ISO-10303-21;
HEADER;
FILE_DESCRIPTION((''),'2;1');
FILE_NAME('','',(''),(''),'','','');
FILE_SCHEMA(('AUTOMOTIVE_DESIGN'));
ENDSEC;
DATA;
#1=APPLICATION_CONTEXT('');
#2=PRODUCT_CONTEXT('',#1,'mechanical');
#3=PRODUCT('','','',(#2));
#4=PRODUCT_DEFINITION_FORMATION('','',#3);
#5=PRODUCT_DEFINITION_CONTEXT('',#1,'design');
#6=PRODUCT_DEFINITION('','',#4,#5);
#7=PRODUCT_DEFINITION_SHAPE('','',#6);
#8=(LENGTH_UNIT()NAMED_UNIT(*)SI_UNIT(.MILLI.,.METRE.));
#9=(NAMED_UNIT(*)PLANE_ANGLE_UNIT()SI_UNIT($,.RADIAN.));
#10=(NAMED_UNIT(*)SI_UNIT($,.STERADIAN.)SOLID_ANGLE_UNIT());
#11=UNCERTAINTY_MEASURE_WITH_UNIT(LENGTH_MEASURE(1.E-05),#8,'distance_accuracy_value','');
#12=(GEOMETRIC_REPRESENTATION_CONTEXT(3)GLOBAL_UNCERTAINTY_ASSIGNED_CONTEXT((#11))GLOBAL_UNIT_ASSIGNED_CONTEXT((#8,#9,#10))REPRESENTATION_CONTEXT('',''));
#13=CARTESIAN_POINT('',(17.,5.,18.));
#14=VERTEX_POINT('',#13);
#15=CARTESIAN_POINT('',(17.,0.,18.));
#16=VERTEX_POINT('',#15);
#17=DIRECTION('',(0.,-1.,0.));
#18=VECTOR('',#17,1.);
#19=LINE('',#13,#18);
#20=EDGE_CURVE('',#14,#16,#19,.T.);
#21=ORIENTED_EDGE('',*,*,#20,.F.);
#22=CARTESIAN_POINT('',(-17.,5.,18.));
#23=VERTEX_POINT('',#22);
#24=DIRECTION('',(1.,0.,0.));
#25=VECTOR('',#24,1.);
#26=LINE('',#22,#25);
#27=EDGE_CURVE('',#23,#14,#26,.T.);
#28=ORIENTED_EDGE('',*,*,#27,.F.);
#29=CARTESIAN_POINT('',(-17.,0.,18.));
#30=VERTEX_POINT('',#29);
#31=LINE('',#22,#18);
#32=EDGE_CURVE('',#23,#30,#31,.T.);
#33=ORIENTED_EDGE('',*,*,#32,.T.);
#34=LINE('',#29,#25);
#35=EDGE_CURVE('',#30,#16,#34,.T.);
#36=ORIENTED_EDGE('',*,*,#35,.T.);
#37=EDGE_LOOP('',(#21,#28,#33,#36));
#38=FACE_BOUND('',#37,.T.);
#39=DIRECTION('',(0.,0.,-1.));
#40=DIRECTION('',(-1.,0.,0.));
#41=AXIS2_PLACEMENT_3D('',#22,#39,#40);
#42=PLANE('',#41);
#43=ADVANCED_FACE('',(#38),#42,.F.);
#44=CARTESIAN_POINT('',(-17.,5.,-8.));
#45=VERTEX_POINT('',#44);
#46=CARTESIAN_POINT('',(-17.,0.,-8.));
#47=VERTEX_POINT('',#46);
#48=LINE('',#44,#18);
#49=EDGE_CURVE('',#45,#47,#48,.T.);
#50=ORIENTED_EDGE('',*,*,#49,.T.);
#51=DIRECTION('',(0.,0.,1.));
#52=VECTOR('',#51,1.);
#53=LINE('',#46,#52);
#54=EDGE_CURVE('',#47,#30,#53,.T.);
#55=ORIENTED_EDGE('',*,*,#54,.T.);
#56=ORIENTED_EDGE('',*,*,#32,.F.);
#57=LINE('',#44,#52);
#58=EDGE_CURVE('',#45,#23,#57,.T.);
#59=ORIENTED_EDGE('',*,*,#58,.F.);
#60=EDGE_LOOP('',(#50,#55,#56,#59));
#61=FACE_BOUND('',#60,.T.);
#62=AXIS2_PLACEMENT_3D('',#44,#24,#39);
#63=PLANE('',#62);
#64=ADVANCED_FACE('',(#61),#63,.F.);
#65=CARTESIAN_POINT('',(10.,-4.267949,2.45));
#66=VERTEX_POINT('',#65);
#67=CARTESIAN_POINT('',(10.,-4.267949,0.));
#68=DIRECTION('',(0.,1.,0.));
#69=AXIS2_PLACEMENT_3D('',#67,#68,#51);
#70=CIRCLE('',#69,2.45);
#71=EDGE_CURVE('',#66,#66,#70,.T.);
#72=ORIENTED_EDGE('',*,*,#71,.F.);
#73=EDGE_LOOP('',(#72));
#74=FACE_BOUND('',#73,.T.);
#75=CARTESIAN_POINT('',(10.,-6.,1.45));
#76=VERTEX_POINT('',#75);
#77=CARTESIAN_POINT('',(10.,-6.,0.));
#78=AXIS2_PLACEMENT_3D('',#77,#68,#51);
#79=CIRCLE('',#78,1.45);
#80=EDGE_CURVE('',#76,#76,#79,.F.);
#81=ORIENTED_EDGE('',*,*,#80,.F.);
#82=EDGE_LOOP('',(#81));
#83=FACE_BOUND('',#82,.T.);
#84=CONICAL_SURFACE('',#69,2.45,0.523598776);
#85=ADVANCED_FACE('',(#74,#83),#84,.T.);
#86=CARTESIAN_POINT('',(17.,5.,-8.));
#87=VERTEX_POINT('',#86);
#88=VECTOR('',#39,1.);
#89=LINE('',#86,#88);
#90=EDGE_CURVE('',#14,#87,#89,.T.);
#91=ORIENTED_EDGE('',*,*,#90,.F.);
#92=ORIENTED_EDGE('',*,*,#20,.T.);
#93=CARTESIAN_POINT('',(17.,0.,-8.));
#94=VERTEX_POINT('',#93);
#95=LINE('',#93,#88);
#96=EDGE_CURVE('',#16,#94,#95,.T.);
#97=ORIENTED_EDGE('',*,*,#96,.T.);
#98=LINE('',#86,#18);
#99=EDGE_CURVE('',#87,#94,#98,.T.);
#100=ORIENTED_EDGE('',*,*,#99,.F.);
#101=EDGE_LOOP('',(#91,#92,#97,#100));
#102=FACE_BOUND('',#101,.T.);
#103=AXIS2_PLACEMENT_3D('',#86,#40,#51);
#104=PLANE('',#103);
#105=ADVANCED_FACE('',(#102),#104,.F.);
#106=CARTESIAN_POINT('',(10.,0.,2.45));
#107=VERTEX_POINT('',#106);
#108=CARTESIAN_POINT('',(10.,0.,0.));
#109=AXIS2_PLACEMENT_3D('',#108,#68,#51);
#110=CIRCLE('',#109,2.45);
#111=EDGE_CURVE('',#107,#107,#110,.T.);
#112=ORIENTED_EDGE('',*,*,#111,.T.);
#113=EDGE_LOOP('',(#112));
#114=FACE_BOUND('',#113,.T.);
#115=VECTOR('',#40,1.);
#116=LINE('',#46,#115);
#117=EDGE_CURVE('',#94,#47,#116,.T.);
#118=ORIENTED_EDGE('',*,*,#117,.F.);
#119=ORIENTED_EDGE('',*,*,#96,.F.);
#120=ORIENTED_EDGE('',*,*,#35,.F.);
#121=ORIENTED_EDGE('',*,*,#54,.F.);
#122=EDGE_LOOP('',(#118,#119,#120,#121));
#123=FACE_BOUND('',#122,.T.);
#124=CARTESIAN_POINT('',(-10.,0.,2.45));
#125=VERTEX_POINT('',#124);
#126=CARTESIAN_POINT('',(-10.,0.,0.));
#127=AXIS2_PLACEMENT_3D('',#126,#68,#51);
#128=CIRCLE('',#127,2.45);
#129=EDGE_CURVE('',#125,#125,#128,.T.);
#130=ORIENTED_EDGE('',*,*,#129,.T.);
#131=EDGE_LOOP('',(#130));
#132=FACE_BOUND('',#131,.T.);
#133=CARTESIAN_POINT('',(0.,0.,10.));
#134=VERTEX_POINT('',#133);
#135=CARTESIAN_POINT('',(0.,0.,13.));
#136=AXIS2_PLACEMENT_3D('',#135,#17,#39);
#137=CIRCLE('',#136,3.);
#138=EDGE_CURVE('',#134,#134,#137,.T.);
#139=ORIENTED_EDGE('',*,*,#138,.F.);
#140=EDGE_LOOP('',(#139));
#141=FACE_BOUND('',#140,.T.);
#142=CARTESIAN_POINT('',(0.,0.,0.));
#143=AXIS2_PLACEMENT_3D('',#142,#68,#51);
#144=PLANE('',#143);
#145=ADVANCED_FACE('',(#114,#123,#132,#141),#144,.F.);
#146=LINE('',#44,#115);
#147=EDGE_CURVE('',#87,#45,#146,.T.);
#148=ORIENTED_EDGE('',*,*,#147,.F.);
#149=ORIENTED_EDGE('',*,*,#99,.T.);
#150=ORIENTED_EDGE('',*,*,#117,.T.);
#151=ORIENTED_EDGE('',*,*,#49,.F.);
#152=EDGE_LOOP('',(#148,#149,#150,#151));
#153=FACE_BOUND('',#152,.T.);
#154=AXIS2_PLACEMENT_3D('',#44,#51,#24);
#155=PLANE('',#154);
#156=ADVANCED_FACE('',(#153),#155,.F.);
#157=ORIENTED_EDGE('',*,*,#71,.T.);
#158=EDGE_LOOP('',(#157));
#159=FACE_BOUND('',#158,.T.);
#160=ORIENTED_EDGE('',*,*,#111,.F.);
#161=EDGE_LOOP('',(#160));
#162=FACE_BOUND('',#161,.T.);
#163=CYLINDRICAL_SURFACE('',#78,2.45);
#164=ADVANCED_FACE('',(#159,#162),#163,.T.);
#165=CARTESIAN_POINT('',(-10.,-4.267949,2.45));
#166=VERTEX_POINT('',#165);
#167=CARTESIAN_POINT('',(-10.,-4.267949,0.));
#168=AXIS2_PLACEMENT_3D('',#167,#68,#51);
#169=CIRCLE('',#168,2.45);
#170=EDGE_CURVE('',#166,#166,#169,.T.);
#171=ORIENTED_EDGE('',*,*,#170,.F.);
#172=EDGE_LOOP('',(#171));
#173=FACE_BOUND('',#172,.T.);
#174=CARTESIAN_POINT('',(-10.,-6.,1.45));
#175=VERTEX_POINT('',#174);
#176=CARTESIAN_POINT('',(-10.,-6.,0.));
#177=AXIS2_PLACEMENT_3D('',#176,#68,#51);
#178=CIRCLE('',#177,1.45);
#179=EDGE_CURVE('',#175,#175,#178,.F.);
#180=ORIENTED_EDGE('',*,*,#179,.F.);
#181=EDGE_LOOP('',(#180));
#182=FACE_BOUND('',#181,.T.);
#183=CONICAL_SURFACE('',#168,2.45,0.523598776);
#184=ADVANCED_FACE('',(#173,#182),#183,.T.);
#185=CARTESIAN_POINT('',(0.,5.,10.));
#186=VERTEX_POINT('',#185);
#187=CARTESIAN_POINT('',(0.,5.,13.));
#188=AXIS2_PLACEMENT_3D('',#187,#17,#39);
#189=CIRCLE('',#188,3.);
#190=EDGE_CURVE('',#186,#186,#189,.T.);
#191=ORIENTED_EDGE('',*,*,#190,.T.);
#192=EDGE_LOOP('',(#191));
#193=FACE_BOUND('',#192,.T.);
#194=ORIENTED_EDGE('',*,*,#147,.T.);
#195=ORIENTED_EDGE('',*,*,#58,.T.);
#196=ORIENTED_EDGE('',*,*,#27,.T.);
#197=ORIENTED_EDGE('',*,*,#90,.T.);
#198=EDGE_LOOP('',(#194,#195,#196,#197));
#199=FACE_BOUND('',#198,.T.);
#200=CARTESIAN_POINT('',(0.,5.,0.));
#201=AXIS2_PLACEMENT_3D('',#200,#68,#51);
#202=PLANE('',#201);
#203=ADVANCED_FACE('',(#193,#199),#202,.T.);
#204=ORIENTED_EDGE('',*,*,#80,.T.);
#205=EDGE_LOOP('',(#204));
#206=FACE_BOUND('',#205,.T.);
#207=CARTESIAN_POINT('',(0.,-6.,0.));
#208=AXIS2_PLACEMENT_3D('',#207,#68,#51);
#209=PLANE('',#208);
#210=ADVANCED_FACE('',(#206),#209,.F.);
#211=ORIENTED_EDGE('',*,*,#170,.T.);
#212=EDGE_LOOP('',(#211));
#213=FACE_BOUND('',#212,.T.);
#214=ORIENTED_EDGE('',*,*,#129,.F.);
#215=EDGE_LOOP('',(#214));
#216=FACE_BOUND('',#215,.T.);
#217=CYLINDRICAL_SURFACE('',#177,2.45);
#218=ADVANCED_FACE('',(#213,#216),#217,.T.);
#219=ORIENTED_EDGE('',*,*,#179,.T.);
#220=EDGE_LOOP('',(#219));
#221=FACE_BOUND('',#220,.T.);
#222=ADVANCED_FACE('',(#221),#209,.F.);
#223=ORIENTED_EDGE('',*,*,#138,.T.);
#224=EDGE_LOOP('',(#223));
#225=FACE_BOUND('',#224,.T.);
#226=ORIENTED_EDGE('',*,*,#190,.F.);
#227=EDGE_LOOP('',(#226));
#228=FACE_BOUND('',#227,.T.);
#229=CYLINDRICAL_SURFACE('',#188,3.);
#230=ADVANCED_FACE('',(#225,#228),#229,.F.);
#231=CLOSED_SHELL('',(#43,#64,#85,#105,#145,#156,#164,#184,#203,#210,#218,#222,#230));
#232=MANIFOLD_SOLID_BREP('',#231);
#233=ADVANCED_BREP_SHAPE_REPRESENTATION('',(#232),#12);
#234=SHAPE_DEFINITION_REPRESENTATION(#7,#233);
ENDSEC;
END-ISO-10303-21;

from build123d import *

# Parameters (mm, degrees)
SKETCH1_R             = 2.45
BOSS_EXTRUDE1_DEPTH   = 6
BOSS_EXTRUDE1_2_DEPTH = 6
CHAMFER1_SIZE         = 1
CHAMFER1_SIZE2        = 1.732050808
CHAMFER2_SIZE         = 1
CHAMFER2_SIZE2        = 1.732050808
SKETCH3_W             = 34
SKETCH3_H             = 26
BOSS_EXTRUDE2_DEPTH   = 5
SKETCH6_R             = 3
CUT_EXTRUDE2_DEPTH    = 26.475478406


with BuildPart() as part:
    # Sketch1 → Boss-Extrude1 (new body)
    with BuildSketch(Plane(origin=(0, 0, 0), x_dir=(1, 0, 0), z_dir=(0, 1, 0))):
        with Locations(Location((-10, 0, 0), (0, 0, 270))):
            Circle(SKETCH1_R)
    extrude(amount=-BOSS_EXTRUDE1_DEPTH)

    # Chamfer2
    chamfer2_edges = [part.edges().sort_by_distance(p)[0] for p in [
        (-10, -6, -2.45),
    ]]
    chamfer2_side = [part.faces().sort_by_distance(p)[0] for p in [
        (-10, -6, 0),
    ]]
    chamfer(chamfer2_edges, length=CHAMFER2_SIZE, length2=CHAMFER2_SIZE2, reference=chamfer2_side[0])



with BuildPart() as body_2:
    # Sketch1 → Boss-Extrude1 2 (new body)
    with BuildSketch(Plane(origin=(0, 0, 0), x_dir=(1, 0, 0), z_dir=(0, 1, 0))):
        with Locations(Location((10, 0, 0), (0, 0, 270))):
            Circle(SKETCH1_R)
    extrude(amount=-BOSS_EXTRUDE1_2_DEPTH)

    # Chamfer1
    chamfer1_edges = [body_2.edges().sort_by_distance(p)[0] for p in [
        (10, -6, -2.45),
    ]]
    chamfer1_side = [body_2.faces().sort_by_distance(p)[0] for p in [
        (10, -6, 0),
    ]]
    chamfer(chamfer1_edges, length=CHAMFER1_SIZE, length2=CHAMFER1_SIZE2, reference=chamfer1_side[0])


with BuildPart() as part_1:
    add(part.part)

    add(body_2.part)  # Boss-Extrude2 merges body 2
    # Sketch3 → Boss-Extrude2 (add)
    with BuildSketch(Plane(origin=(0, 0, 0), x_dir=(1, 0, 0), z_dir=(0, 1, 0))):
        with Locations((0, -5)):
            Rectangle(SKETCH3_W, SKETCH3_H)
    extrude(amount=BOSS_EXTRUDE2_DEPTH)

    # Sketch6 → Cut-Extrude2 (cut, through all)
    with BuildSketch(Plane.XZ):
        with Locations(Location((0, 13, 0), (0, 0, 270))):
            Circle(SKETCH6_R)
    extrude(amount=-CUT_EXTRUDE2_DEPTH, mode=Mode.SUBTRACT)


solid = part_1.part
